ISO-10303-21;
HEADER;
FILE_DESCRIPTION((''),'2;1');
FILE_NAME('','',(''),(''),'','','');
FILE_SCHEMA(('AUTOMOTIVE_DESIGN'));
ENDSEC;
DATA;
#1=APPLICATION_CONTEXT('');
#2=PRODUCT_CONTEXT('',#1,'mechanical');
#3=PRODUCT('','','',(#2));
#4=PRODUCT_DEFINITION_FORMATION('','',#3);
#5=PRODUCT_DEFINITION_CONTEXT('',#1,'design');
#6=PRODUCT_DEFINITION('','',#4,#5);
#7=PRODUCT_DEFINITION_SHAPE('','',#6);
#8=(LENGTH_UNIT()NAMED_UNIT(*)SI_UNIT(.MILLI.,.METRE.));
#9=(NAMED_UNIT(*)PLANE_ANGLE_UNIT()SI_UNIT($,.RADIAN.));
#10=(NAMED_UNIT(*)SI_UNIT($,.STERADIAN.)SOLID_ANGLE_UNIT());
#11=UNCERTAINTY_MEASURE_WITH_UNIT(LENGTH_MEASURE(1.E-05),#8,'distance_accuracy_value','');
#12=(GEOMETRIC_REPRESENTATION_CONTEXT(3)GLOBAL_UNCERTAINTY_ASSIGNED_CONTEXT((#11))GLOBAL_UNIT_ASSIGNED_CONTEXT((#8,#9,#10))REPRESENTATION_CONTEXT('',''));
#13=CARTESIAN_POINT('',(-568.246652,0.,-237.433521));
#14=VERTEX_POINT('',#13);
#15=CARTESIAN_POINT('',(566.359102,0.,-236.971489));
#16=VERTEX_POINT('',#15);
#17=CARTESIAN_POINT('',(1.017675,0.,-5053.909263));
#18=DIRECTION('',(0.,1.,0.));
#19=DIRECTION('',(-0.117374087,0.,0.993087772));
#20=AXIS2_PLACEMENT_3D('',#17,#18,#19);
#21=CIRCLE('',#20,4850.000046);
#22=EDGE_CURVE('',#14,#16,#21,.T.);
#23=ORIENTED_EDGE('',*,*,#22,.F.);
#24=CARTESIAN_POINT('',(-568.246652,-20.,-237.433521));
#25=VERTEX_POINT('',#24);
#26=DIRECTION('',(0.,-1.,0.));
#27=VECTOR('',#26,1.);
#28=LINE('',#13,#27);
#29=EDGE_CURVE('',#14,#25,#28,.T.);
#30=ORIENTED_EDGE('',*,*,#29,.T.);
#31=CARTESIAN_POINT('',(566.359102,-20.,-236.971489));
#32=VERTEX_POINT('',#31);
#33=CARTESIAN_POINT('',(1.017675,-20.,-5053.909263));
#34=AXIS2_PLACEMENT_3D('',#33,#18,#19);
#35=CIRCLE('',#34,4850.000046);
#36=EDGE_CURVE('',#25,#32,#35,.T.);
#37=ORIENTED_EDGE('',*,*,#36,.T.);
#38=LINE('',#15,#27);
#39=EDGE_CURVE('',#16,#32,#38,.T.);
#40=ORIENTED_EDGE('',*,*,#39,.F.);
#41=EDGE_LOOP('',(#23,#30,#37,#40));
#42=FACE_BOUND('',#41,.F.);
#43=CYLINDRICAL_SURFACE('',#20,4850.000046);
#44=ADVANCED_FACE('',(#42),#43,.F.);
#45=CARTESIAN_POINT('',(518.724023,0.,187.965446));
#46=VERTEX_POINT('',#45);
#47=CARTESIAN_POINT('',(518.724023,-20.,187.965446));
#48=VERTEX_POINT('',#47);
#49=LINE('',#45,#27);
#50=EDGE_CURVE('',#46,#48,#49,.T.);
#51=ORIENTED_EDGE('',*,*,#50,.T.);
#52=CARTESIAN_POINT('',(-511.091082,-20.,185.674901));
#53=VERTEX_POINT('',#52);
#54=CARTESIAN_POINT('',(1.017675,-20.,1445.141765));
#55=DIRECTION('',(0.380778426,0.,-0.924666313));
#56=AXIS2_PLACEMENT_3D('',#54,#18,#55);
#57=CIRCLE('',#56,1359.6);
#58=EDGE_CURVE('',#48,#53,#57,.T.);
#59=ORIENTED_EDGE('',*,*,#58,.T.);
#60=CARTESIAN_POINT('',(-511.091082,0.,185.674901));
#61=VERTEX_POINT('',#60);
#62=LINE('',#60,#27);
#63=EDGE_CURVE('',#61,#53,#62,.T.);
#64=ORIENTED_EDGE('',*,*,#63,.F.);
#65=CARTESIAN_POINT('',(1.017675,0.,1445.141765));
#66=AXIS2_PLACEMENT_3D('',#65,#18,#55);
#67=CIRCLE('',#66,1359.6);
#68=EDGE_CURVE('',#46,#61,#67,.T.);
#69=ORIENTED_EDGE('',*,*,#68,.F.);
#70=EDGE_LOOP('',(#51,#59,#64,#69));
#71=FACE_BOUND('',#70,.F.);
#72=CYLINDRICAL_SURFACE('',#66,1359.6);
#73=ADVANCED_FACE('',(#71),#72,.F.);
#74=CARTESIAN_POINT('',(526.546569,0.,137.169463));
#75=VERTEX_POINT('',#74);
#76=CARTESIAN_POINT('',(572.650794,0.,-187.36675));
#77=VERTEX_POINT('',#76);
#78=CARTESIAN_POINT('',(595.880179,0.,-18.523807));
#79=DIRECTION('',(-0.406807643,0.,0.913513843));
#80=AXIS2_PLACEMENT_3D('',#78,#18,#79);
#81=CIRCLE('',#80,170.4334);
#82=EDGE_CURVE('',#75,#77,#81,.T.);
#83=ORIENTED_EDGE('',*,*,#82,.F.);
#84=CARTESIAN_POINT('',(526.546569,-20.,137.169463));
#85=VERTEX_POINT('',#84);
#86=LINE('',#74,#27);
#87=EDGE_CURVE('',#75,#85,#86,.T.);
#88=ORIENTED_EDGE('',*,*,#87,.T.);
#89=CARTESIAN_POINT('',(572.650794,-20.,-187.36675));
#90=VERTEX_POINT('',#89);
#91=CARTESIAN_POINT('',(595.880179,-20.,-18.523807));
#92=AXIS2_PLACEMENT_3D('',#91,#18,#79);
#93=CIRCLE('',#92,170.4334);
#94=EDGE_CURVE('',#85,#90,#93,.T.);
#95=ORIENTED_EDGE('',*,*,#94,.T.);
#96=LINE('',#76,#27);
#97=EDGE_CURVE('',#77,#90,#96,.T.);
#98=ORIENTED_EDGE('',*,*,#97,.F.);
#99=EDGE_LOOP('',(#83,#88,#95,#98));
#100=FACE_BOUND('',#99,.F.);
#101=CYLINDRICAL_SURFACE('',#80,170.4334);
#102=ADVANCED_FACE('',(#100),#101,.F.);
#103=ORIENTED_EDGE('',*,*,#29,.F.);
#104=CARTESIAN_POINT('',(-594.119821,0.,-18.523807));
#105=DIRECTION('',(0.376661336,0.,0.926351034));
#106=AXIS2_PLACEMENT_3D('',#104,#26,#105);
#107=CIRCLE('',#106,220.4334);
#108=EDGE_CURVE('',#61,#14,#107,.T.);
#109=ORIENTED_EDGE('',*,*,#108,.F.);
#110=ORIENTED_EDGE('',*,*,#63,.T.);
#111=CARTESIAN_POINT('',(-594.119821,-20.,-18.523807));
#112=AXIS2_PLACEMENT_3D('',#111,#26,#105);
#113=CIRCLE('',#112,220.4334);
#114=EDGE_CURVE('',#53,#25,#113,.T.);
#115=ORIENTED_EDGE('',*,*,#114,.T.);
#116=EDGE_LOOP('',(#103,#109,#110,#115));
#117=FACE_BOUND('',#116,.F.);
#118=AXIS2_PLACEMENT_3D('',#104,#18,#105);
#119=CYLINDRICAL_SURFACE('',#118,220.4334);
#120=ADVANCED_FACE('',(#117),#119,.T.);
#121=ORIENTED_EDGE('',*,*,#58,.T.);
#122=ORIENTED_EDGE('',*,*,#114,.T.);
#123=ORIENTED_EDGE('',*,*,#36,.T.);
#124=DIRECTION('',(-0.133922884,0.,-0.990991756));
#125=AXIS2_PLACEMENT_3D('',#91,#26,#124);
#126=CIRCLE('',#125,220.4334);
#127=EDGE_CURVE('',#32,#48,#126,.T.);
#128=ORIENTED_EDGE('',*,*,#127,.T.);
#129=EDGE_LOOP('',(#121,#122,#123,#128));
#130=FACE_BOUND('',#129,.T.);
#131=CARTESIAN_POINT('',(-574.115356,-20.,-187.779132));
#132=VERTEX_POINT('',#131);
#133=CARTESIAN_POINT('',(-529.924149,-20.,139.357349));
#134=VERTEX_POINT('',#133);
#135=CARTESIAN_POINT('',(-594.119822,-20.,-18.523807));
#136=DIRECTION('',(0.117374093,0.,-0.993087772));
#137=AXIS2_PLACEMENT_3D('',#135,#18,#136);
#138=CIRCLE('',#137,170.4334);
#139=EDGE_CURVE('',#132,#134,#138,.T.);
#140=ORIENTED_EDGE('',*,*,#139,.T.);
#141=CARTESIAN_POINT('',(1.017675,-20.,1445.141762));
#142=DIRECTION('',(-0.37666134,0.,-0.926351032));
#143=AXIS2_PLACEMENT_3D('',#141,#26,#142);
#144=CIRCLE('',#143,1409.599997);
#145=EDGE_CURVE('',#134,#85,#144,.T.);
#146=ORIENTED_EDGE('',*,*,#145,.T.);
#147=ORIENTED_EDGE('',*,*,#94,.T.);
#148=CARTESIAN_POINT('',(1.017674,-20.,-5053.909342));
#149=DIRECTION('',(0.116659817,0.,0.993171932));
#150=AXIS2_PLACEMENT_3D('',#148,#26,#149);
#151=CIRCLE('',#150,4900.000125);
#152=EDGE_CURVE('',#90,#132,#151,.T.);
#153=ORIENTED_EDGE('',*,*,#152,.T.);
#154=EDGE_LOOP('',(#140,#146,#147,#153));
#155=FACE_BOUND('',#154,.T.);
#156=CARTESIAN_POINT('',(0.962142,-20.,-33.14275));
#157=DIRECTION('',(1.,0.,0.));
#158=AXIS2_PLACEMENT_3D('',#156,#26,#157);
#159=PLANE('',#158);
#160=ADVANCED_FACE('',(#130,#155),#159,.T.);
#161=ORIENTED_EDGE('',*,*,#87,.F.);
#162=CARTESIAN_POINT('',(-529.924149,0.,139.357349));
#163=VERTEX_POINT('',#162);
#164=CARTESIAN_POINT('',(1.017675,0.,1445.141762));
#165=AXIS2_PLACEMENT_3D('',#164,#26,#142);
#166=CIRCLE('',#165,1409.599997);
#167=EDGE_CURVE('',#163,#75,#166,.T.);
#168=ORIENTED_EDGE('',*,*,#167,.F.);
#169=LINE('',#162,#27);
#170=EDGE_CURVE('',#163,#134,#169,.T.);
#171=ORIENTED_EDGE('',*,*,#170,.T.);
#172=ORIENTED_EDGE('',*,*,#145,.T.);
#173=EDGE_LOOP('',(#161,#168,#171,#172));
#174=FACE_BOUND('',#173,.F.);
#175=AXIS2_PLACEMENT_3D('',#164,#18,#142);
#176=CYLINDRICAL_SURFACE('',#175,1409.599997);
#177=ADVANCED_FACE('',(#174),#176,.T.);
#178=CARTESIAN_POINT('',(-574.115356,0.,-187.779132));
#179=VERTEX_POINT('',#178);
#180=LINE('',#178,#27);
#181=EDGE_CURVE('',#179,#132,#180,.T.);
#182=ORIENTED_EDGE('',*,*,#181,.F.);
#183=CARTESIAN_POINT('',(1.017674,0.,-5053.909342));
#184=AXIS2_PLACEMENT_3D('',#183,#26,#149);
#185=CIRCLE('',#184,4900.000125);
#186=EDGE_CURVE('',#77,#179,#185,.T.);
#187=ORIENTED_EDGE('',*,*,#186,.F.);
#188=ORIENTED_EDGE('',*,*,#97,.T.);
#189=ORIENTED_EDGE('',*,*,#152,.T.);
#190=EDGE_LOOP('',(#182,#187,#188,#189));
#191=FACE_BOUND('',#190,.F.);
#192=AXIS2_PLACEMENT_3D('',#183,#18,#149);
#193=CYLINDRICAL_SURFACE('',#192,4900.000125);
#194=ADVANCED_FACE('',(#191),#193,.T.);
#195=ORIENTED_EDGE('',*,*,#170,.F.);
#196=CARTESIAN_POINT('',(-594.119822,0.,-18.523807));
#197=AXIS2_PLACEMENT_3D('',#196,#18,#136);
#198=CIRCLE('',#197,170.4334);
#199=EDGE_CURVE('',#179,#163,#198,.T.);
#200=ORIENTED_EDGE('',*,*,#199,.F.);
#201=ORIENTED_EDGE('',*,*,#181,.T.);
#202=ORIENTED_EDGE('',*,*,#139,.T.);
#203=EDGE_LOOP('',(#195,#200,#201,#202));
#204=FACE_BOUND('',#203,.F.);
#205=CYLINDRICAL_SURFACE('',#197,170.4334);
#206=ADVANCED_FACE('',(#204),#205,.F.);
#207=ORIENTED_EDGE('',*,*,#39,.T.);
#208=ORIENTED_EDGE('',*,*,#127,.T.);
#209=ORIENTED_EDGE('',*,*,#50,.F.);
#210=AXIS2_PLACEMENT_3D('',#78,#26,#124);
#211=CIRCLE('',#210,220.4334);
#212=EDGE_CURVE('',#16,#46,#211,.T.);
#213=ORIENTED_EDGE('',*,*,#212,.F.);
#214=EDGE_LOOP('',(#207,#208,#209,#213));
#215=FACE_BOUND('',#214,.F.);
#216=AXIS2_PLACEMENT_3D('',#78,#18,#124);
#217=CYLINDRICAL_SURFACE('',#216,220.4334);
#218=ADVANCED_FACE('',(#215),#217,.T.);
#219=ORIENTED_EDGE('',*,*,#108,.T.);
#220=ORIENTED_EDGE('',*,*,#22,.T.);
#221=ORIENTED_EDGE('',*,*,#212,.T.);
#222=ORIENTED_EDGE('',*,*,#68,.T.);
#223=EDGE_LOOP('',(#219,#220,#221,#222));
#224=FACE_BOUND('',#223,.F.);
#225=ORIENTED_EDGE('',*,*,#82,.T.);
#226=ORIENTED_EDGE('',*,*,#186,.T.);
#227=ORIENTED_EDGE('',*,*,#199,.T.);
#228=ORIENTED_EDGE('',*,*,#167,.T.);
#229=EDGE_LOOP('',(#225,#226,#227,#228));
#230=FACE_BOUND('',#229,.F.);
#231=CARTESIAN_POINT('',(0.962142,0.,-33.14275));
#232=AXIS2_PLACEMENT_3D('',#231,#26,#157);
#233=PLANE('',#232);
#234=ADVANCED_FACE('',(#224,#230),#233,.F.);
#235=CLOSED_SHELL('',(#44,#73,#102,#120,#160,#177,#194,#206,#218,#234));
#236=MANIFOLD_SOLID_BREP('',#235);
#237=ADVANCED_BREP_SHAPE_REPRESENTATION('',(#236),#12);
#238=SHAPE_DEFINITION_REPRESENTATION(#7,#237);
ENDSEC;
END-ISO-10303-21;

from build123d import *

# Parameters (mm, degrees)
F1_DEPTH = 20


with BuildPart() as f1:
    # F0 (on Front) → F1 (new body)
    with BuildSketch(Plane.XZ):
        with BuildLine():
            ThreePointArc((518.724023, 187.965446), (4.041729, 85.545128), (-511.091082, 185.674901))
            ThreePointArc((-511.091082, 185.674901), (-812.569107, 10.985399), (-568.246652, -237.433521))
            ThreePointArc((-568.246652, -237.433521), (-0.957332, -203.909619), (566.359102, -236.971489))
            ThreePointArc((566.359102, -236.971489), (814.941489, 6.032785), (518.724023, 187.965446))
        make_face()
        with BuildLine():
            ThreePointArc((-574.115356, -187.779132), (-763.019156, 4.291947), (-529.924149, 139.357349))
            ThreePointArc((-529.924149, 139.357349), (-1.901514, 35.544787), (526.546569, 137.169463))
            ThreePointArc((526.546569, 137.169463), (764.619372, 5.4476), (572.650794, -187.36675))
            ThreePointArc((572.650794, -187.36675), (-0.744387, -153.909534), (-574.115356, -187.779132))
        make_face(mode=Mode.SUBTRACT)
    extrude(amount=F1_DEPTH)


solid = f1.part
